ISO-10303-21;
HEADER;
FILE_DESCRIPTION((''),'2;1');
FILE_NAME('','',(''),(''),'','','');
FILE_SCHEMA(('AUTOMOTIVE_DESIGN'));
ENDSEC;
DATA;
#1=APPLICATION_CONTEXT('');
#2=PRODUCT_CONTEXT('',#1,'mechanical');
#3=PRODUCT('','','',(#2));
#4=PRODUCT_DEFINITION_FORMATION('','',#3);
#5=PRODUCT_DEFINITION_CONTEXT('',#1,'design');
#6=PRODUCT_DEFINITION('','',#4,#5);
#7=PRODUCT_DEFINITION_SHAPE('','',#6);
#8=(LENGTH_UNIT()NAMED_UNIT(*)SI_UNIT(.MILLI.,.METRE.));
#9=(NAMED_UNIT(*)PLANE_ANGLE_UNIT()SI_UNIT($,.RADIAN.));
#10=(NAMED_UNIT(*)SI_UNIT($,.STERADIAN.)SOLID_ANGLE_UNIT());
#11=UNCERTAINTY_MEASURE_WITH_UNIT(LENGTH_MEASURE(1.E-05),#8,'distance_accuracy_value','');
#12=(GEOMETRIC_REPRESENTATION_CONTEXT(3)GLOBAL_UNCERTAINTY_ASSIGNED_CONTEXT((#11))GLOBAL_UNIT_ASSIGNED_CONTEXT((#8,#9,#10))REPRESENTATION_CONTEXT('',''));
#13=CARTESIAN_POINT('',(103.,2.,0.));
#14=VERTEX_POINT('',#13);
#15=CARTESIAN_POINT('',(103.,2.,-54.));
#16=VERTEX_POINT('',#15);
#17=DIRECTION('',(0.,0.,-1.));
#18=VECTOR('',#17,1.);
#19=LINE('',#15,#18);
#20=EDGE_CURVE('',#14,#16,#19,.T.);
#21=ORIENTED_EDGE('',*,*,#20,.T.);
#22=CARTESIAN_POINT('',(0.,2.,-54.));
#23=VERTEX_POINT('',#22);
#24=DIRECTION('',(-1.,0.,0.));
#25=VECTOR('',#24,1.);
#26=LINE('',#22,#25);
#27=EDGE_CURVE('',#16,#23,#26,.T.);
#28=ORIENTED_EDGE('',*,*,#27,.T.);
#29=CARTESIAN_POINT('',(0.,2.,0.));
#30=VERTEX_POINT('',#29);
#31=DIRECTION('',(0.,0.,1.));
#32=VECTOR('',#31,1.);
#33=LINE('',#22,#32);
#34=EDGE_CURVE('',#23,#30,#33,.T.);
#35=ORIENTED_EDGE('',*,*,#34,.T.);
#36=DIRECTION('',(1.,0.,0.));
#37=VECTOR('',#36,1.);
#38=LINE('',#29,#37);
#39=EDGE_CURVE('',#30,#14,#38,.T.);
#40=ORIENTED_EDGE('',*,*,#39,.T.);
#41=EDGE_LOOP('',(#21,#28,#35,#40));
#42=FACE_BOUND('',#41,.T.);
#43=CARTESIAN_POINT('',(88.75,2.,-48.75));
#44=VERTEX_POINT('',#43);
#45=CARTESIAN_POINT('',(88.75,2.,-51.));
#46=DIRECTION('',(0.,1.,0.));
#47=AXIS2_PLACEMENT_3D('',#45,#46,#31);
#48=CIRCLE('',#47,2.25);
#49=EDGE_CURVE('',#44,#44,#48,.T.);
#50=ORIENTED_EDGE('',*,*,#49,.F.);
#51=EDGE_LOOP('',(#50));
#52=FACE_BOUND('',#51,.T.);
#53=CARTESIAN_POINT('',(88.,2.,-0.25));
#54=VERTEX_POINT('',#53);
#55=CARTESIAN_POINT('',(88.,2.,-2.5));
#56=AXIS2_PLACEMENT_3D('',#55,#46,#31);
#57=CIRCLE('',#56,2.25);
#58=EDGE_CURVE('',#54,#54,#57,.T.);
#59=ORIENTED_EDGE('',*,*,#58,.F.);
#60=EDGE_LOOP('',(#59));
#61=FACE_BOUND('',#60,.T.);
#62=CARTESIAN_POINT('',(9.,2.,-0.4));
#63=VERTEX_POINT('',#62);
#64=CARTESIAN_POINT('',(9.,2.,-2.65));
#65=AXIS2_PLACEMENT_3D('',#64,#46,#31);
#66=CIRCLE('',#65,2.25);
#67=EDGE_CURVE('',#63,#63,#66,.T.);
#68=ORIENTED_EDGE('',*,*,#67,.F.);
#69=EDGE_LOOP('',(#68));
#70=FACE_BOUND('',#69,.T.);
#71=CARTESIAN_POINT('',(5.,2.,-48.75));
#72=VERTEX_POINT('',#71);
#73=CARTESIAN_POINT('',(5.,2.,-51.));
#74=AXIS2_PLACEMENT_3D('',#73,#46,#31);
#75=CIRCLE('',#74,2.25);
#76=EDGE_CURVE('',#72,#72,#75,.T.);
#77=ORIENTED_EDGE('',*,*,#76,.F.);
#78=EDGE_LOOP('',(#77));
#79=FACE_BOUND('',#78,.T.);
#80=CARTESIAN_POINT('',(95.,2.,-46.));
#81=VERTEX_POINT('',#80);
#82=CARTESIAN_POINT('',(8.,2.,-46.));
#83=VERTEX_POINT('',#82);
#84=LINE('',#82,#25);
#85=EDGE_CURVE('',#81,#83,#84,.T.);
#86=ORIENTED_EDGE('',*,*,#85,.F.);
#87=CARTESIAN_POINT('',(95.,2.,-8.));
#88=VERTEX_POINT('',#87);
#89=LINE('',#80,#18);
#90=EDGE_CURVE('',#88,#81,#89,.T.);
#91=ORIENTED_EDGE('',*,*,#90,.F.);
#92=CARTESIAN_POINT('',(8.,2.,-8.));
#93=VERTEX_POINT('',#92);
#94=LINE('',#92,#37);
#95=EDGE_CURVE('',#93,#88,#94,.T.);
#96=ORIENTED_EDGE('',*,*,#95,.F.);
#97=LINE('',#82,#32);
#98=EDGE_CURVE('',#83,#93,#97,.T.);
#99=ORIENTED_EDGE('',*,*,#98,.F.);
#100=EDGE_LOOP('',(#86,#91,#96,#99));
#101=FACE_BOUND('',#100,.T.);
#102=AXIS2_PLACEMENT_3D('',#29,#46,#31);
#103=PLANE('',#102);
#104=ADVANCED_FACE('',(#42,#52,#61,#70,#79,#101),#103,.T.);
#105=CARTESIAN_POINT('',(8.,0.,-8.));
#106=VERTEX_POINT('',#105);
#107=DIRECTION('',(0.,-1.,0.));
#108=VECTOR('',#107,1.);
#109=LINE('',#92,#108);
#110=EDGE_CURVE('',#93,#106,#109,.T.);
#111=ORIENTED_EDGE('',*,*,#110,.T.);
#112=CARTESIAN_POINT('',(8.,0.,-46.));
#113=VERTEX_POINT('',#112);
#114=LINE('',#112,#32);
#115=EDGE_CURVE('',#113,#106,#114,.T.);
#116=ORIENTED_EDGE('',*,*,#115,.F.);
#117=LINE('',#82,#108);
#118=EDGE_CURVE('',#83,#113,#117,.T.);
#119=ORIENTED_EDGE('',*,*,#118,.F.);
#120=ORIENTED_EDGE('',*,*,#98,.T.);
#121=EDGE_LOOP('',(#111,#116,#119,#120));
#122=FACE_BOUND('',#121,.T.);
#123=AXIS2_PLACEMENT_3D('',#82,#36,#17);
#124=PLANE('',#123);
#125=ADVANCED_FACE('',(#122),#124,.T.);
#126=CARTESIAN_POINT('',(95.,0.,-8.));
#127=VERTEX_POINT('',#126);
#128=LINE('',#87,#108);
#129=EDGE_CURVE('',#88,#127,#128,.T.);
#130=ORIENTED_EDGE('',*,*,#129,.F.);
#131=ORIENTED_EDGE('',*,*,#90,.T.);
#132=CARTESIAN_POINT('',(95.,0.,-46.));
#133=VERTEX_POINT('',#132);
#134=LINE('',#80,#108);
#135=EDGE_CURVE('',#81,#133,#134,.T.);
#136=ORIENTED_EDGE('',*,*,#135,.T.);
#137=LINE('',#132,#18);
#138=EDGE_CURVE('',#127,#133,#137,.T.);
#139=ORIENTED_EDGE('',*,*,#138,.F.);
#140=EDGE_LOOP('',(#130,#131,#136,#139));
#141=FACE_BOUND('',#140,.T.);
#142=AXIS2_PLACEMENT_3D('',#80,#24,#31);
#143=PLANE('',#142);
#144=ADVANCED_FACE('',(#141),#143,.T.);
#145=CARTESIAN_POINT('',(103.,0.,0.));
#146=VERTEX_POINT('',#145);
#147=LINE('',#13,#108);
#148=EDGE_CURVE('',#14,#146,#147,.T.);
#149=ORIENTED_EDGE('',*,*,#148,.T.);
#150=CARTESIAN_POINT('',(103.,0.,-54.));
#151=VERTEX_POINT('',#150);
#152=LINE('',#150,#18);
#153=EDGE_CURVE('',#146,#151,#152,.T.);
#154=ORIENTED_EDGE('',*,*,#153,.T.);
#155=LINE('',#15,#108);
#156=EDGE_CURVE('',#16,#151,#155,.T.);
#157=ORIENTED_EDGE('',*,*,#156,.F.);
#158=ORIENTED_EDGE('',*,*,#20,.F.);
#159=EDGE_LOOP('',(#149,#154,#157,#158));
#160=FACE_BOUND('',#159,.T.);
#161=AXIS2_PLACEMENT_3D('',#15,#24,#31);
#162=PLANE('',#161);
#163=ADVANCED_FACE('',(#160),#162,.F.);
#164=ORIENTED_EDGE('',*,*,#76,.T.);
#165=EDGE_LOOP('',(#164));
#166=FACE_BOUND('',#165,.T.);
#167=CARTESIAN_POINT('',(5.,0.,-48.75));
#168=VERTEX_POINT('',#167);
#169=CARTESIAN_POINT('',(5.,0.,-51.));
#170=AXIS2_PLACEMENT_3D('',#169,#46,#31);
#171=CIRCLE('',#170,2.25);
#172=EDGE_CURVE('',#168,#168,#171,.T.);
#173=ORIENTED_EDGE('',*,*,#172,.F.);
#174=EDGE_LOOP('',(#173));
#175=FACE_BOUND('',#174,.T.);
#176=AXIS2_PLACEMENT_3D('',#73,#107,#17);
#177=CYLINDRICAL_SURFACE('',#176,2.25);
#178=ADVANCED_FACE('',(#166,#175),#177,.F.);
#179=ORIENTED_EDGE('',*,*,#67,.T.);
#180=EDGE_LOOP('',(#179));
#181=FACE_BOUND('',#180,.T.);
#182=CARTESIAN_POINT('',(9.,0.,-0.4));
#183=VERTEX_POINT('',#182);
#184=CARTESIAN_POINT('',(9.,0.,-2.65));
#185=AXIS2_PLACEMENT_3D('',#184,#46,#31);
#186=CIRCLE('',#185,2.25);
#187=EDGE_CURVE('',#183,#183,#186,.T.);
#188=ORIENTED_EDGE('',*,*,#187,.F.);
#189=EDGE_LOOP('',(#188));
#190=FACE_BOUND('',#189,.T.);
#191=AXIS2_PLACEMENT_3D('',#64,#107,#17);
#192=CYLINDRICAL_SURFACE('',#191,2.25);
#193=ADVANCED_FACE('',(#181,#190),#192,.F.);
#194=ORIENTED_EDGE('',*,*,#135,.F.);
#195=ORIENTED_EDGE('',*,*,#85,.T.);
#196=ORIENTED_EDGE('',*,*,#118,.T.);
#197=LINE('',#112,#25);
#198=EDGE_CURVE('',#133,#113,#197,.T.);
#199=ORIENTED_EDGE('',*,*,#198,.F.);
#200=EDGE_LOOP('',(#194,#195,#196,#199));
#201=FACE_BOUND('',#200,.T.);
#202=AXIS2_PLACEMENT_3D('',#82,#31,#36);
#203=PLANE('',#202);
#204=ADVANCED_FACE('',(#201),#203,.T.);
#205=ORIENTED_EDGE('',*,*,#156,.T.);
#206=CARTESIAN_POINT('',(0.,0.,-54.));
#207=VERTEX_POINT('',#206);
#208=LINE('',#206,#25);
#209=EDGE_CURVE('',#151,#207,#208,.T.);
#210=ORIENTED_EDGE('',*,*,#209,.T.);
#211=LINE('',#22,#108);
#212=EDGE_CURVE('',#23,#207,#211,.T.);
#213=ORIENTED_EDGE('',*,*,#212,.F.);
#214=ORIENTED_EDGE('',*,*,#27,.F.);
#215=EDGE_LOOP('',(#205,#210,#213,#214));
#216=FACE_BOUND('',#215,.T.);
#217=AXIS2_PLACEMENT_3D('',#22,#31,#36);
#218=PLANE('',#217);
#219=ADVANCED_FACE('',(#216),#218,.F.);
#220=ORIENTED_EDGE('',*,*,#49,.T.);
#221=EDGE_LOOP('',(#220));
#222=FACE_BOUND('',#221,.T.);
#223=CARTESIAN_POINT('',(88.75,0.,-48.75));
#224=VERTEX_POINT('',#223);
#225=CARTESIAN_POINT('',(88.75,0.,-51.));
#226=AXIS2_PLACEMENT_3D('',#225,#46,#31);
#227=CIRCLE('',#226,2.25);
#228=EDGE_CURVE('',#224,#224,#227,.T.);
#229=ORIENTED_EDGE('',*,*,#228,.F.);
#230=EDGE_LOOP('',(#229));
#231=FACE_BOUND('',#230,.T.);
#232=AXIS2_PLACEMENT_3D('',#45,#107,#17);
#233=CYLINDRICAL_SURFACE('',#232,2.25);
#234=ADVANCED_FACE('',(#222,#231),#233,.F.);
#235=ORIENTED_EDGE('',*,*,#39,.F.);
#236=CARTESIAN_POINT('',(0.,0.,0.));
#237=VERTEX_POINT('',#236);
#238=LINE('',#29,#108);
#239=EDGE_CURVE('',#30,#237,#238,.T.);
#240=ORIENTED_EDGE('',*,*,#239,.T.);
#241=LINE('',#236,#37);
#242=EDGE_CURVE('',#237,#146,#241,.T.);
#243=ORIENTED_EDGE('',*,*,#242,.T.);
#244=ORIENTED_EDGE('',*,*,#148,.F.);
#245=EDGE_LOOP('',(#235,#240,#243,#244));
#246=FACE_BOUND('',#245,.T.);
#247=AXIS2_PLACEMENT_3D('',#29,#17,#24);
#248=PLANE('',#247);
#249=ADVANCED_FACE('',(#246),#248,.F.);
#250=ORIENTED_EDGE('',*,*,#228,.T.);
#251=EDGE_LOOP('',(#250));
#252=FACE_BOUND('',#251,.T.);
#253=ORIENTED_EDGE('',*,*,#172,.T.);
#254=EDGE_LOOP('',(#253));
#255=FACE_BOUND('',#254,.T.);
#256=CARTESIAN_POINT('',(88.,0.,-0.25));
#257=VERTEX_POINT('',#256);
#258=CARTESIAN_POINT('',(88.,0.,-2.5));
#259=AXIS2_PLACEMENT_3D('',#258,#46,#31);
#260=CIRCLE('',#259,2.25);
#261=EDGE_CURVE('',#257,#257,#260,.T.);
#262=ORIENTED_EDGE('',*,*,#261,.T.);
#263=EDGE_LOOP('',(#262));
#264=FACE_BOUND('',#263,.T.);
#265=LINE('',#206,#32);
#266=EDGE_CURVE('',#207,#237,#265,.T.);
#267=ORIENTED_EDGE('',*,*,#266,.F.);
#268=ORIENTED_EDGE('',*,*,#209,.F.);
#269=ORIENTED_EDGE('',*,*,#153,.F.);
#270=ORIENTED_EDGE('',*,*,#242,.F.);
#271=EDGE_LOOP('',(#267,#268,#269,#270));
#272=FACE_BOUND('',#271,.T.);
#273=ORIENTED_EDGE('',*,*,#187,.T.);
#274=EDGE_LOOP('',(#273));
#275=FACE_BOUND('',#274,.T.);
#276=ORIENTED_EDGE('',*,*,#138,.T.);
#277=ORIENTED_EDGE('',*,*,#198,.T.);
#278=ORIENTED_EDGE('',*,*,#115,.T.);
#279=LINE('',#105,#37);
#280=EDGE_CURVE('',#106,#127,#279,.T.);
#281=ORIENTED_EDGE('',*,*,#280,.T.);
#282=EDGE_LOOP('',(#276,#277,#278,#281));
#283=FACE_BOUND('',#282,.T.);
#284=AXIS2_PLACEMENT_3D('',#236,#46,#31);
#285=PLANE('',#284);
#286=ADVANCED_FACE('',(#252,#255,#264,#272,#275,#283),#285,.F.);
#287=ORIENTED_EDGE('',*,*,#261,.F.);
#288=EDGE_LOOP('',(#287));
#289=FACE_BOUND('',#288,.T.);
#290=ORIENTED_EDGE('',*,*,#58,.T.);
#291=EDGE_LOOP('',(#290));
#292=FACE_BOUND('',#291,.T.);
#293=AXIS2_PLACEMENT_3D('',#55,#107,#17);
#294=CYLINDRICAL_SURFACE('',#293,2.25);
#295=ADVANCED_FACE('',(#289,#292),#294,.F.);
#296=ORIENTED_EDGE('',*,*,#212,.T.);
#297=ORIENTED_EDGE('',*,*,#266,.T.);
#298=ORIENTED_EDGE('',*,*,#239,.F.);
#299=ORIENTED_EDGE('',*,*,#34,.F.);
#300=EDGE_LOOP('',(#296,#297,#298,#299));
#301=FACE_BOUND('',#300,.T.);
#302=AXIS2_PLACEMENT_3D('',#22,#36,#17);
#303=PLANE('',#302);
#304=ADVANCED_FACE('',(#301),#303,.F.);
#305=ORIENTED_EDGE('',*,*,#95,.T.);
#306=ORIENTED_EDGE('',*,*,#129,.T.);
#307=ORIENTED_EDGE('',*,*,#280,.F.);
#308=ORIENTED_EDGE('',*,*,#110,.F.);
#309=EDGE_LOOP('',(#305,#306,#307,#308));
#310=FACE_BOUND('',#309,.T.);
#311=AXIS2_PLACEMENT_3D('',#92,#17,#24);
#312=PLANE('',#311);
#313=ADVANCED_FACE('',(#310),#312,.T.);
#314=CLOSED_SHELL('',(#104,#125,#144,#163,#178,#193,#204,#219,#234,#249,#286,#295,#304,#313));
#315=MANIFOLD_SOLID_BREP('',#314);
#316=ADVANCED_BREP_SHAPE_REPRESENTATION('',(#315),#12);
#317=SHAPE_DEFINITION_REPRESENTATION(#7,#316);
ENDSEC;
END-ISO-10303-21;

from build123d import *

# Parameters (mm, degrees)
SKETCH1_W           = 103
SKETCH1_H           = 54
SKETCH1_R           = 2.25
SKETCH1_W_2         = 87
SKETCH1_H_2         = 38
BOSS_EXTRUDE1_DEPTH = 2


with BuildPart() as part:
    # Sketch1 → Boss-Extrude1 (new body)
    with BuildSketch(Plane(origin=(0, 0, 0), x_dir=(1, 0, 0), z_dir=(0, 1, 0))):
        with Locations((51.5, 27)):
            Rectangle(SKETCH1_W, SKETCH1_H)
        with Locations((88.75, 51)):
            Circle(SKETCH1_R, mode=Mode.SUBTRACT)
        with Locations((88, 2.5)):
            Circle(SKETCH1_R, mode=Mode.SUBTRACT)
        with Locations((5, 51)):
            Circle(SKETCH1_R, mode=Mode.SUBTRACT)
        with Locations((9, 2.65)):
            Circle(SKETCH1_R, mode=Mode.SUBTRACT)
        with Locations((51.5, 27)):
            Rectangle(SKETCH1_W_2, SKETCH1_H_2, mode=Mode.SUBTRACT)
    extrude(amount=BOSS_EXTRUDE1_DEPTH)


solid = part.part
